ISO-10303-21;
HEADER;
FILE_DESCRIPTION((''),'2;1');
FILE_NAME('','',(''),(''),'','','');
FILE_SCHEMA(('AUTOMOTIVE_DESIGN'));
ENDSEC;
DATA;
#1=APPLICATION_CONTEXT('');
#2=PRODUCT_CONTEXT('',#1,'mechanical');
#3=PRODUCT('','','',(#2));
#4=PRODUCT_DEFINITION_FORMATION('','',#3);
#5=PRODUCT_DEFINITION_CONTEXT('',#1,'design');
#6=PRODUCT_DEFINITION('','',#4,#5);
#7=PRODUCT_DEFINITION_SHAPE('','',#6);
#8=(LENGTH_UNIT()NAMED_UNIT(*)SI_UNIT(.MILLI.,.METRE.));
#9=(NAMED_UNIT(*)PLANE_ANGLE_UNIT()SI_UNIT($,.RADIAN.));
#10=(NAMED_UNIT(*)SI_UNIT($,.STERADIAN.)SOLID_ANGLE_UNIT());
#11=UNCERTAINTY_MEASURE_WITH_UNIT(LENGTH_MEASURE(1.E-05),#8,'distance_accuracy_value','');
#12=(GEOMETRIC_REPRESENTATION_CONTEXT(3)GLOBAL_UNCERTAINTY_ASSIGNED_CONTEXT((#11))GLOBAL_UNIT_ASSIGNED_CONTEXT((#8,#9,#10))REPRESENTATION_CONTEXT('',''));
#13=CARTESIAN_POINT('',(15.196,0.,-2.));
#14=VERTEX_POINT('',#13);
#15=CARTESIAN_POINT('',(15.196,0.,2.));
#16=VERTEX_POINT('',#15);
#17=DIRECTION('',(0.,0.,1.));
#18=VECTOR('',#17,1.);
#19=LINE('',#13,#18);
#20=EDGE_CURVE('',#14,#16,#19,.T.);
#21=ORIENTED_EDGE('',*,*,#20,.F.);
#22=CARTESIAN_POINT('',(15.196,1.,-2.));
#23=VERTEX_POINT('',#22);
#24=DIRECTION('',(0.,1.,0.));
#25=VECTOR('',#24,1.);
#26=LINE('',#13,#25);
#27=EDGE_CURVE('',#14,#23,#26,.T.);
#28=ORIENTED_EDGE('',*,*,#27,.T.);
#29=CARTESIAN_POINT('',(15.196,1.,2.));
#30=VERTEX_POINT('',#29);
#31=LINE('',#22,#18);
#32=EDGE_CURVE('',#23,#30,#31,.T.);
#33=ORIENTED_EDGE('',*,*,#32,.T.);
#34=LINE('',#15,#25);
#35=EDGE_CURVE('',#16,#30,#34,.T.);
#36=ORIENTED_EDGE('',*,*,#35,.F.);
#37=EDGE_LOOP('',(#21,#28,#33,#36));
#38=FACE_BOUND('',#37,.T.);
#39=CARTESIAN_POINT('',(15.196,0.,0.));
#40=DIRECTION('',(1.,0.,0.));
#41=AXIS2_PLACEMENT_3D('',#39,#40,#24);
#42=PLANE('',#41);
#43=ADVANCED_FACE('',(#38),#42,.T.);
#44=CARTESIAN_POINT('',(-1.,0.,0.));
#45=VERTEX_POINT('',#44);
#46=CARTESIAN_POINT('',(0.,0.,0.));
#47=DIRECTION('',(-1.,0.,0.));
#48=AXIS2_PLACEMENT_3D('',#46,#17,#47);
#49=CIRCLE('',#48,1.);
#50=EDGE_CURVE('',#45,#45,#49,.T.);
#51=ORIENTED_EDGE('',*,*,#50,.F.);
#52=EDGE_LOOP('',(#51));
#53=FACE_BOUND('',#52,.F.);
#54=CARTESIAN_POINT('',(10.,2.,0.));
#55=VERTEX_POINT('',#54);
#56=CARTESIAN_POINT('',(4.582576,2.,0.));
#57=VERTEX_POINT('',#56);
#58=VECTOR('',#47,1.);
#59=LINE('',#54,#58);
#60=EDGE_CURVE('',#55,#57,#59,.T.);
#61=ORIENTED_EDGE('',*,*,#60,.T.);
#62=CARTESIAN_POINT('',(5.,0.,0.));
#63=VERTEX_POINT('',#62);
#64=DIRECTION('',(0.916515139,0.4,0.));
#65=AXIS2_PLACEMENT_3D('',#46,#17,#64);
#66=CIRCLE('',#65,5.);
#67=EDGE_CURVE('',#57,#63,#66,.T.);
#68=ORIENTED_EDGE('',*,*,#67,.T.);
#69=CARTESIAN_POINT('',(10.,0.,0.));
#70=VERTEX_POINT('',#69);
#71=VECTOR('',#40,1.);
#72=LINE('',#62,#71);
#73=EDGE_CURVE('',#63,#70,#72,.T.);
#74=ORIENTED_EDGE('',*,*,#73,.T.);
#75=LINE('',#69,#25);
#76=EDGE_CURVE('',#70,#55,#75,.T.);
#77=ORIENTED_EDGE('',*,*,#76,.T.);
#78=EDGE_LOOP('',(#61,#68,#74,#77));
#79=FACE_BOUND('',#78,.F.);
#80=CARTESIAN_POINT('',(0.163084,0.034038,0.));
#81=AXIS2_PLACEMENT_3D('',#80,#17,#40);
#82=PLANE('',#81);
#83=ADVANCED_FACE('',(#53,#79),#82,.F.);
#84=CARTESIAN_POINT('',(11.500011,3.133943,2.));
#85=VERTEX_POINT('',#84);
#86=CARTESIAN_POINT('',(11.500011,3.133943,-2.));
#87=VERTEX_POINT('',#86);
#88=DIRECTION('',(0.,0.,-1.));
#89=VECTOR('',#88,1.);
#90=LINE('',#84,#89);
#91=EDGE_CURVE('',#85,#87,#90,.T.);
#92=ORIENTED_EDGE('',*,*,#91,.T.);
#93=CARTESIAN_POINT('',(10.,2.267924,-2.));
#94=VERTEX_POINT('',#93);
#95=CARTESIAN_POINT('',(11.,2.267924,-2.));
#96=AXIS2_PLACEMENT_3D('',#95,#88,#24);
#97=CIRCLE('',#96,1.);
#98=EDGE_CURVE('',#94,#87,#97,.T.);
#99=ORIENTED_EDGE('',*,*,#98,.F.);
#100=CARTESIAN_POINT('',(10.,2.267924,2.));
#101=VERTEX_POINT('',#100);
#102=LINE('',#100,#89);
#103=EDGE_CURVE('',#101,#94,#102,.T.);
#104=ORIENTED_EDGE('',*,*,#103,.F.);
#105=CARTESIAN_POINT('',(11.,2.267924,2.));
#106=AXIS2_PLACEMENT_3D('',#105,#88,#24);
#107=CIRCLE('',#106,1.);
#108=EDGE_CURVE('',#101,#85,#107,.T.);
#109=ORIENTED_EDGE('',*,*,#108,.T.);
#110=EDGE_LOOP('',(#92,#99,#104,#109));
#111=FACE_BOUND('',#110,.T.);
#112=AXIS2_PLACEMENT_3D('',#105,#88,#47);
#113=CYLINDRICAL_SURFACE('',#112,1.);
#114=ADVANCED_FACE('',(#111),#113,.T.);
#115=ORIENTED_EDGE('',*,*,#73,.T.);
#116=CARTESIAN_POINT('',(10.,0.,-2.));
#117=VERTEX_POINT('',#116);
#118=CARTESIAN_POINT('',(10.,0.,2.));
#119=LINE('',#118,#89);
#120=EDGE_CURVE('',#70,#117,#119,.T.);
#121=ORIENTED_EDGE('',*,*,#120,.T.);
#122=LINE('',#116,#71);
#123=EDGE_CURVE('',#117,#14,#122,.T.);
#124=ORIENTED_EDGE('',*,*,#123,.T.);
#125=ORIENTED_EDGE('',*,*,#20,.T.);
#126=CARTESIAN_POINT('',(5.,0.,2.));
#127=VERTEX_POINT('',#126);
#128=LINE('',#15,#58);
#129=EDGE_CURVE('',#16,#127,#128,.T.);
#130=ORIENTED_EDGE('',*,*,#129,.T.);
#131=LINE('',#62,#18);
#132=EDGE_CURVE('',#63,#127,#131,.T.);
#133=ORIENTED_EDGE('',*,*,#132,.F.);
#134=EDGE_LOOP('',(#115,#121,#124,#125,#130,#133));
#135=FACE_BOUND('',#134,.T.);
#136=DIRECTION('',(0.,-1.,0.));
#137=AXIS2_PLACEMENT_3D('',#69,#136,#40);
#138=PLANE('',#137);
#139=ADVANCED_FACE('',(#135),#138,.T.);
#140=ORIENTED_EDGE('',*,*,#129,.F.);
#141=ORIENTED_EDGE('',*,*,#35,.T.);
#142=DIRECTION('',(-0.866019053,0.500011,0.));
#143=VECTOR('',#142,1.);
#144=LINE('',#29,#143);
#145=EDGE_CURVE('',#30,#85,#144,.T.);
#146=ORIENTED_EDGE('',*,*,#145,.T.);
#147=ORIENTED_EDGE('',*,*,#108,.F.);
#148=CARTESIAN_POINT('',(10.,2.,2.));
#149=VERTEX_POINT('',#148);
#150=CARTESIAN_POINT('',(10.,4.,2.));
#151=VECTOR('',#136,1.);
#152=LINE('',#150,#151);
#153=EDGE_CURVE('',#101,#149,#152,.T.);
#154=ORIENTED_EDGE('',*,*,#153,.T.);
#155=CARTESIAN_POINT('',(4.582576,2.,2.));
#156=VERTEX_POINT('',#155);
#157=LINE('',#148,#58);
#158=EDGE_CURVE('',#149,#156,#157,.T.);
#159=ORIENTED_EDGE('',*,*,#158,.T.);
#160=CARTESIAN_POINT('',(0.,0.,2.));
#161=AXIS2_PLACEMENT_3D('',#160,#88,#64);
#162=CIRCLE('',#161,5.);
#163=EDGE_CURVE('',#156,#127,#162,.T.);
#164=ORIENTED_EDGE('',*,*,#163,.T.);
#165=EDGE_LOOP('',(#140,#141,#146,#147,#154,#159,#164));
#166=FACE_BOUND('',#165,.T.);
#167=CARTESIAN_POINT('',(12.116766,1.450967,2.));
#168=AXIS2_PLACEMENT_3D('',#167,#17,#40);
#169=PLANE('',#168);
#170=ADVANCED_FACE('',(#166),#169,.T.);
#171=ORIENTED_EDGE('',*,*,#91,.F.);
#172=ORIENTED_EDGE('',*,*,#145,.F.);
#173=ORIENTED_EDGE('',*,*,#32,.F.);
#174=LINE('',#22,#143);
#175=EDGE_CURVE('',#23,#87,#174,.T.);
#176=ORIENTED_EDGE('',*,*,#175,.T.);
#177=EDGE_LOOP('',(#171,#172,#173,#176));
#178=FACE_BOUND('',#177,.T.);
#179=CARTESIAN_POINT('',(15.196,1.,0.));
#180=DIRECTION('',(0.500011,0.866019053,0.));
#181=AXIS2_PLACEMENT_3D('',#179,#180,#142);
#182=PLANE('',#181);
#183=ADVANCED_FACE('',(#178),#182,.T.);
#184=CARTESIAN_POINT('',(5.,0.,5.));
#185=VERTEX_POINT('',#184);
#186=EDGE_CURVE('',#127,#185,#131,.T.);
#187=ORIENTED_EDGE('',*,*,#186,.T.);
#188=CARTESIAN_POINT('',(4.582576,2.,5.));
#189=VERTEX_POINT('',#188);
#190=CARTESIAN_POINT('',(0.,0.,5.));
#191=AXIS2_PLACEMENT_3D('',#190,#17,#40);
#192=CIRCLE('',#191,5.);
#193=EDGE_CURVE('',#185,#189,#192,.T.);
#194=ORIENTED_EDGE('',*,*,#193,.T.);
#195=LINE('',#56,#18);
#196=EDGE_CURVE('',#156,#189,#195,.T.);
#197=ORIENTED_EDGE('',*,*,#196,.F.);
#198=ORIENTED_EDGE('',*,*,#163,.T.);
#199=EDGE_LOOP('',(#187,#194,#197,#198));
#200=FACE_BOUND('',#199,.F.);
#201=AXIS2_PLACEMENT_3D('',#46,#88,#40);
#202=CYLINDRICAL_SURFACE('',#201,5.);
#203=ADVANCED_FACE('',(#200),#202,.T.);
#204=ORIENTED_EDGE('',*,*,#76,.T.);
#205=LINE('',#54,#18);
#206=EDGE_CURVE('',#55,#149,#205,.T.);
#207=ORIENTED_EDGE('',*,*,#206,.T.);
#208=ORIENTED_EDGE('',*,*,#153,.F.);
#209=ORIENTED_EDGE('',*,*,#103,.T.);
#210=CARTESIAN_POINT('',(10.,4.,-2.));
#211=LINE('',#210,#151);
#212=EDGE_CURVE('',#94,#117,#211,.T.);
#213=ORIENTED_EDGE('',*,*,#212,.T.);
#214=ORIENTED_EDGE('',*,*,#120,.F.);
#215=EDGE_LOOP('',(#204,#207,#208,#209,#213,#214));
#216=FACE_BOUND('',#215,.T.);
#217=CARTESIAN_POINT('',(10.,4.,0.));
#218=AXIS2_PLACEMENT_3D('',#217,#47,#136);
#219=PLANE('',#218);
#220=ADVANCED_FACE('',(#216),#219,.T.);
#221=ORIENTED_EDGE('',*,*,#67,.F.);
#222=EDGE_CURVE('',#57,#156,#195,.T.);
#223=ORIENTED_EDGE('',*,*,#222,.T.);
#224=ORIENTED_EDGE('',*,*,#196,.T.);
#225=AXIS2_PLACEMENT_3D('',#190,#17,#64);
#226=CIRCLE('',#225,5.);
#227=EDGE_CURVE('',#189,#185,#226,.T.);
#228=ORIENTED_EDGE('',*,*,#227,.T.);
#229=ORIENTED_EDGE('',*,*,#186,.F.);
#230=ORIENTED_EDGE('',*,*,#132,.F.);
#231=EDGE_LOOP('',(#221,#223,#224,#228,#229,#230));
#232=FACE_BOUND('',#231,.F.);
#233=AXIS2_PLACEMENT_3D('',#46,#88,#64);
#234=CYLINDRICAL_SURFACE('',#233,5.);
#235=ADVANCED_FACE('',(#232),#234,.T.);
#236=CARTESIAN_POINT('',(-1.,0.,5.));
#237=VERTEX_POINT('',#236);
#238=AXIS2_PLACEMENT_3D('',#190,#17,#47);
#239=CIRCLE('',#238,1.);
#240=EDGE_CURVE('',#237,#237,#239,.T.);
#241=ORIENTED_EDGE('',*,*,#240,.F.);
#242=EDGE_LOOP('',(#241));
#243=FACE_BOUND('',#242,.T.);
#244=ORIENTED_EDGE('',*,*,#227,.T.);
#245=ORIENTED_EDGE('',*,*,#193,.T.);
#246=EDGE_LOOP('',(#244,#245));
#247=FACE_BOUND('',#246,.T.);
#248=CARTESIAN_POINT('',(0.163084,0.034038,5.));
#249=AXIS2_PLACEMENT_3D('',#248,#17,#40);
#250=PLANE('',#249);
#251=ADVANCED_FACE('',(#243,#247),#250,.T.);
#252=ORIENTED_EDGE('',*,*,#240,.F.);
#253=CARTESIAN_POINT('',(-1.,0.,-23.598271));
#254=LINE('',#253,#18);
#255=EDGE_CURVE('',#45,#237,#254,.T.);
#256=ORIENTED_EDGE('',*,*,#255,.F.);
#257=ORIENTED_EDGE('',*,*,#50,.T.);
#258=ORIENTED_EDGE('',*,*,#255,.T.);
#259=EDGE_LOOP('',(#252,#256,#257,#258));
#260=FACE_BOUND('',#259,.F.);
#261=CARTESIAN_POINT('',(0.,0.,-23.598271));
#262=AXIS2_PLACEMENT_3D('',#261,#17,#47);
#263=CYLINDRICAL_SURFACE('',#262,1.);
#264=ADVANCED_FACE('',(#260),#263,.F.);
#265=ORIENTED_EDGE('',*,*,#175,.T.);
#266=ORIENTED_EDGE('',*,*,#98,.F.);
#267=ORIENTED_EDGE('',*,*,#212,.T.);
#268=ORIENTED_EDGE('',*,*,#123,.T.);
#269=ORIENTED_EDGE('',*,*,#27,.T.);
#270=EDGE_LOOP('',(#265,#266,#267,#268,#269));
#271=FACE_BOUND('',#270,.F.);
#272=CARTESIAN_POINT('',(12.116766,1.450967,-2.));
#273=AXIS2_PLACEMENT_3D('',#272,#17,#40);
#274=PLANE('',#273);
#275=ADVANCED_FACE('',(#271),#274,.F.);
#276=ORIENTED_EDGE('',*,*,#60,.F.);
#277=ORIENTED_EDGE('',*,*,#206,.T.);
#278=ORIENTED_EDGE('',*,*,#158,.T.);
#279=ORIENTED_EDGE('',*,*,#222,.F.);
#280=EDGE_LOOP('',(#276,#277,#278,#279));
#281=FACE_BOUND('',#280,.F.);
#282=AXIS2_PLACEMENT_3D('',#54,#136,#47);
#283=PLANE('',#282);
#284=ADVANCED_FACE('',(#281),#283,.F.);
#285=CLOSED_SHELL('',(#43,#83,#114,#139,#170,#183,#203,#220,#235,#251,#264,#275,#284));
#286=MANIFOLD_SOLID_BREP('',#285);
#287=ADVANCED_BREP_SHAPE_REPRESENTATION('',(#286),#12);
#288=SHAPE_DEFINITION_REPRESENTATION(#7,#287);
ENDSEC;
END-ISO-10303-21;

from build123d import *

# Parameters (mm, degrees)
F1_DEPTH = 2
F2_DEPTH = 5
F3_DEPTH = 2
F4_R     = 1
F5_D     = 2


with BuildPart() as f1:
    # F0 (on Top) → F1 (new body)
    with BuildSketch(Plane.XY):
        with BuildLine():
            ThreePointArc((4.582575695, 2), (4.8945315647, 1.0215482184), (5, 0))
            Line((5, 0), (10, 0))
            Line((10, 0), (10, 2))
            Line((10, 2), (4.582575695, 2))
        make_face()
    extrude(amount=F1_DEPTH)

    # F0 (on Top) → F2 (join)
    with BuildSketch(Plane.XY):
        with BuildLine():
            ThreePointArc((4.582575695, 2), (-4.8945315647, -1.0215482184), (5, 0))
            ThreePointArc((5, 0), (4.8945315647, 1.0215482184), (4.582575695, 2))
        make_face()
    extrude(amount=F2_DEPTH)

    # F0 (on Top) → F3 (join, symmetric)
    with BuildSketch(Plane.XY):
        Polygon((10, 2), (10, 0), (15.196, 0), (15.196, 1), (10, 4), align=None)
    extrude(amount=F3_DEPTH, both=True)

    # F4
    f4_edges = [f1.edges().sort_by_distance(p)[0] for p in [
        (10, 4, 0),
    ]]
    fillet(f4_edges, radius=F4_R)

    # F5 (through all)
    with Locations(Plane(origin=(0, 0, 0), x_dir=(1, 0, 0), z_dir=(0, 0, -1))):
        with Locations((0, 0)):
            Hole(F5_D / 2)


solid = f1.part
